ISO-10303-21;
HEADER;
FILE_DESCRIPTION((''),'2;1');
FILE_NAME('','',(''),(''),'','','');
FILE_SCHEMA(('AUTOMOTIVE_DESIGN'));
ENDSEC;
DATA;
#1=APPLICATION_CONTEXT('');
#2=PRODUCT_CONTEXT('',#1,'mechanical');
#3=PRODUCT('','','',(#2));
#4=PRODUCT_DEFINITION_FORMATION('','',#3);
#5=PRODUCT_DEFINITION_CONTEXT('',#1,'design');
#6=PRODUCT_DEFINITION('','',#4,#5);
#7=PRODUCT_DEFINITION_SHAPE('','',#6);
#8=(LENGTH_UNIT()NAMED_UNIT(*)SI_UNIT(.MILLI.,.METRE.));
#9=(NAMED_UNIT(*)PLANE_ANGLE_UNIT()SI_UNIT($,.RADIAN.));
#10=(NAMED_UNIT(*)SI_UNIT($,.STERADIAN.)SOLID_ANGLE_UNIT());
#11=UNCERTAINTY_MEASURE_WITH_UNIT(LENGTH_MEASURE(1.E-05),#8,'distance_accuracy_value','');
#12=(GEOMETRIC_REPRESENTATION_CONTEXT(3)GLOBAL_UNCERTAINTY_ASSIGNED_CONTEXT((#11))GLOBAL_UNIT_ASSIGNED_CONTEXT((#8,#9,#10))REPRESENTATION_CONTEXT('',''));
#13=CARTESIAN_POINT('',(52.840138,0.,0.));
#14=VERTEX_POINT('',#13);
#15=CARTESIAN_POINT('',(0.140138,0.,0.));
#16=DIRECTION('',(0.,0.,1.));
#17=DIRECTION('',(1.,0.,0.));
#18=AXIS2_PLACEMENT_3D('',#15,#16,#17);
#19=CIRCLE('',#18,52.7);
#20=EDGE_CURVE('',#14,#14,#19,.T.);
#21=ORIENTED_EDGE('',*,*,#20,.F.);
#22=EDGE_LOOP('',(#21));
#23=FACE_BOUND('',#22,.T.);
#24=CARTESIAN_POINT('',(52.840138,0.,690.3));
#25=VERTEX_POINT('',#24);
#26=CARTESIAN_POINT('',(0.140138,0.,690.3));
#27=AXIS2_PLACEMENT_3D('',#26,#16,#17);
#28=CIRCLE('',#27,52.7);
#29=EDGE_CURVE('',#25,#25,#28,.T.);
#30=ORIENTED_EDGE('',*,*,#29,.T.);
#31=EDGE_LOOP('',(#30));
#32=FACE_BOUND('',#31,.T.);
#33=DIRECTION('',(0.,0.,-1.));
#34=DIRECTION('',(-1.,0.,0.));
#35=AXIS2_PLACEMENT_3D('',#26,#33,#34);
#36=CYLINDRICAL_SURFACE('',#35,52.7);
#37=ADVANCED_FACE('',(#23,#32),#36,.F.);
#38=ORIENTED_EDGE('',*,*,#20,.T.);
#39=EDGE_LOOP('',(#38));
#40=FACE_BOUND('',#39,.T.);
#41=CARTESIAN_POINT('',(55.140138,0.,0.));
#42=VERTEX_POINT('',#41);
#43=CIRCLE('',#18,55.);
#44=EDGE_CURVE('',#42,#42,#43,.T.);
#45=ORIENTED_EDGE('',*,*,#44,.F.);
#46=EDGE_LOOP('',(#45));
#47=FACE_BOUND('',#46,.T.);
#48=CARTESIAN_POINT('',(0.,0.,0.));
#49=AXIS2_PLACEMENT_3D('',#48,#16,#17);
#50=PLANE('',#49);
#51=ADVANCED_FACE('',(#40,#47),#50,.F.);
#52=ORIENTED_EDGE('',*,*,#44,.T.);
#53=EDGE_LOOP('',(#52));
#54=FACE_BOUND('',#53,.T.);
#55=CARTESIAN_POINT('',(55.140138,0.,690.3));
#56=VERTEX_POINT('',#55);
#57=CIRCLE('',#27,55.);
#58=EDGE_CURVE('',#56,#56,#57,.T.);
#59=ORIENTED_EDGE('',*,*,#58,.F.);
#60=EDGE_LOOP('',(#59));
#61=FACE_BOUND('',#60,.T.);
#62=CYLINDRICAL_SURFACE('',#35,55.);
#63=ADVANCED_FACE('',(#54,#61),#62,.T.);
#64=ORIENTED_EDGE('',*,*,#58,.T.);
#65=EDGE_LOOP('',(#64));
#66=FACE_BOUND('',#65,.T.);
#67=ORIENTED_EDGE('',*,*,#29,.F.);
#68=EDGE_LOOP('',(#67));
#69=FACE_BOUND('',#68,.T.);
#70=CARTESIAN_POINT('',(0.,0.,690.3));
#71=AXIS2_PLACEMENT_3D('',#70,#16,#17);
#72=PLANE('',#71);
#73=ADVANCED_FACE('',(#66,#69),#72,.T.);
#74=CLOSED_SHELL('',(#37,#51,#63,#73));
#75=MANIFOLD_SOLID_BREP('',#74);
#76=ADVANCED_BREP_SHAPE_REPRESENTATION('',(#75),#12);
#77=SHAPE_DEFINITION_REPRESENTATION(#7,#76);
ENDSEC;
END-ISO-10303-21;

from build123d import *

# Parameters (mm, degrees)
SKETCH1_R        = 55
SKETCH1_R_2      = 52.7
EXTRUSION1_DEPTH = 690.3


with BuildPart() as part:
    # Sketch1 → Extrusion1 (new body)
    with BuildSketch(Plane.XY):
        with Locations((0.140137906, 0)):
            Circle(SKETCH1_R)
        with Locations((0.140137906, 0)):
            Circle(SKETCH1_R_2, mode=Mode.SUBTRACT)
    extrude(amount=EXTRUSION1_DEPTH)


solid = part.part
